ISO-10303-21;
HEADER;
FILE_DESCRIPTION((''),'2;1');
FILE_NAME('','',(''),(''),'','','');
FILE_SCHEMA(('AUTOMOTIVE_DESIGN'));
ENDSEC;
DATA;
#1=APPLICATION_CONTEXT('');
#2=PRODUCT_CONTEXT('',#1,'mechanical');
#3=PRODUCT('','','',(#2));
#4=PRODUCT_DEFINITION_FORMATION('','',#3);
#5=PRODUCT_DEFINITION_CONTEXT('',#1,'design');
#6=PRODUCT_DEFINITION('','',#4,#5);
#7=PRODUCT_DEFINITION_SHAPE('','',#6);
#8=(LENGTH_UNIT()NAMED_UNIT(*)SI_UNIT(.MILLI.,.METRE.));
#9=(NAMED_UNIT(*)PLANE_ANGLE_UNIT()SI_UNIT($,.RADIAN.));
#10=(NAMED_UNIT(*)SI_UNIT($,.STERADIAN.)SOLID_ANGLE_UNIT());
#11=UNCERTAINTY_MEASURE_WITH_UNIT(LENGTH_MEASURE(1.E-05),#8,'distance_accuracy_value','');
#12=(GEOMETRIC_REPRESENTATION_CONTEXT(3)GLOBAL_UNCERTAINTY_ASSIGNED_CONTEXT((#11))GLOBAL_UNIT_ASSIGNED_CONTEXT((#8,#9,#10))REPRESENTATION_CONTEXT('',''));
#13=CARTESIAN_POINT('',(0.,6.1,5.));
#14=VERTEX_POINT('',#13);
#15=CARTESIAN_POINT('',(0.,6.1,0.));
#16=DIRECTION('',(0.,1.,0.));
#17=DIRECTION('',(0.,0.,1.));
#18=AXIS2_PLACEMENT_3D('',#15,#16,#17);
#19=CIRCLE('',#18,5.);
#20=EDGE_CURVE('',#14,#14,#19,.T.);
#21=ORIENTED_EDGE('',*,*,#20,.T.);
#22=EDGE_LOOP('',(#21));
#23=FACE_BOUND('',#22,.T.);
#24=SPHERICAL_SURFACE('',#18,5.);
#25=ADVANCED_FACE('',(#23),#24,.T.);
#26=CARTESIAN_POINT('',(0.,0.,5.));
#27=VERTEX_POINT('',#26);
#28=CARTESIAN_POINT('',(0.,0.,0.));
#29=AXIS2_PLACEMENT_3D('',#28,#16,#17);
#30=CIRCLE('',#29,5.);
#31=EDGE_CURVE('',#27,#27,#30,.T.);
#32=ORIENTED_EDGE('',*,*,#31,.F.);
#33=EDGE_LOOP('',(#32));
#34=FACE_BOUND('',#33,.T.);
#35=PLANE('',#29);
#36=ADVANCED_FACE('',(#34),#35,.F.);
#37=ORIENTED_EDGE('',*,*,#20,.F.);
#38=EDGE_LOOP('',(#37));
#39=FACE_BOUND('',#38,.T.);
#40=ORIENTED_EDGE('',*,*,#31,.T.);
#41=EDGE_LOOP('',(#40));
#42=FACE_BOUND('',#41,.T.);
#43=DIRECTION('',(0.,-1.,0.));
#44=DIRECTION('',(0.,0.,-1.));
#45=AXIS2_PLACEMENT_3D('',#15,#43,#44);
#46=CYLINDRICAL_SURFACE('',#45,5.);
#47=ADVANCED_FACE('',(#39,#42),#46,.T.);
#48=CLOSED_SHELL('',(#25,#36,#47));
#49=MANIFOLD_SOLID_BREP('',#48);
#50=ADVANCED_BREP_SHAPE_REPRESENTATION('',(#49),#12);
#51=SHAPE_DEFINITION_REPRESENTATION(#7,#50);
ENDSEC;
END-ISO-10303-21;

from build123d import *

# Parameters (mm, degrees)
SKETCH1_R           = 5
BOSS_EXTRUDE1_DEPTH = 6.1
REVOLVE1_ANGLE      = 360


with BuildPart() as part:
    # Sketch1 → Boss-Extrude1 (new body)
    with BuildSketch(Plane(origin=(0, 0, 0), x_dir=(1, 0, 0), z_dir=(0, 1, 0))):
        Circle(SKETCH1_R)
    extrude(amount=BOSS_EXTRUDE1_DEPTH)

    # Sketch2 → Revolve1 (revolve, symmetric)
    with BuildSketch(Plane(origin=(0, 6.1, 0), x_dir=(1, 0, 0), z_dir=(0, 1, 0))) as revolve1_sk:
        with BuildLine():
            Line((0, 5), (0, -5))
            ThreePointArc((0, -5), (-5, 0), (0, 5))
        make_face()
    revolve(axis=Axis((0, 6.1, -5), (0, 0, 1)), revolution_arc=REVOLVE1_ANGLE / 2)
    revolve(revolve1_sk.sketch, axis=Axis((0, 6.1, -5), (0, 0, -1)), revolution_arc=REVOLVE1_ANGLE / 2)


solid = part.part
